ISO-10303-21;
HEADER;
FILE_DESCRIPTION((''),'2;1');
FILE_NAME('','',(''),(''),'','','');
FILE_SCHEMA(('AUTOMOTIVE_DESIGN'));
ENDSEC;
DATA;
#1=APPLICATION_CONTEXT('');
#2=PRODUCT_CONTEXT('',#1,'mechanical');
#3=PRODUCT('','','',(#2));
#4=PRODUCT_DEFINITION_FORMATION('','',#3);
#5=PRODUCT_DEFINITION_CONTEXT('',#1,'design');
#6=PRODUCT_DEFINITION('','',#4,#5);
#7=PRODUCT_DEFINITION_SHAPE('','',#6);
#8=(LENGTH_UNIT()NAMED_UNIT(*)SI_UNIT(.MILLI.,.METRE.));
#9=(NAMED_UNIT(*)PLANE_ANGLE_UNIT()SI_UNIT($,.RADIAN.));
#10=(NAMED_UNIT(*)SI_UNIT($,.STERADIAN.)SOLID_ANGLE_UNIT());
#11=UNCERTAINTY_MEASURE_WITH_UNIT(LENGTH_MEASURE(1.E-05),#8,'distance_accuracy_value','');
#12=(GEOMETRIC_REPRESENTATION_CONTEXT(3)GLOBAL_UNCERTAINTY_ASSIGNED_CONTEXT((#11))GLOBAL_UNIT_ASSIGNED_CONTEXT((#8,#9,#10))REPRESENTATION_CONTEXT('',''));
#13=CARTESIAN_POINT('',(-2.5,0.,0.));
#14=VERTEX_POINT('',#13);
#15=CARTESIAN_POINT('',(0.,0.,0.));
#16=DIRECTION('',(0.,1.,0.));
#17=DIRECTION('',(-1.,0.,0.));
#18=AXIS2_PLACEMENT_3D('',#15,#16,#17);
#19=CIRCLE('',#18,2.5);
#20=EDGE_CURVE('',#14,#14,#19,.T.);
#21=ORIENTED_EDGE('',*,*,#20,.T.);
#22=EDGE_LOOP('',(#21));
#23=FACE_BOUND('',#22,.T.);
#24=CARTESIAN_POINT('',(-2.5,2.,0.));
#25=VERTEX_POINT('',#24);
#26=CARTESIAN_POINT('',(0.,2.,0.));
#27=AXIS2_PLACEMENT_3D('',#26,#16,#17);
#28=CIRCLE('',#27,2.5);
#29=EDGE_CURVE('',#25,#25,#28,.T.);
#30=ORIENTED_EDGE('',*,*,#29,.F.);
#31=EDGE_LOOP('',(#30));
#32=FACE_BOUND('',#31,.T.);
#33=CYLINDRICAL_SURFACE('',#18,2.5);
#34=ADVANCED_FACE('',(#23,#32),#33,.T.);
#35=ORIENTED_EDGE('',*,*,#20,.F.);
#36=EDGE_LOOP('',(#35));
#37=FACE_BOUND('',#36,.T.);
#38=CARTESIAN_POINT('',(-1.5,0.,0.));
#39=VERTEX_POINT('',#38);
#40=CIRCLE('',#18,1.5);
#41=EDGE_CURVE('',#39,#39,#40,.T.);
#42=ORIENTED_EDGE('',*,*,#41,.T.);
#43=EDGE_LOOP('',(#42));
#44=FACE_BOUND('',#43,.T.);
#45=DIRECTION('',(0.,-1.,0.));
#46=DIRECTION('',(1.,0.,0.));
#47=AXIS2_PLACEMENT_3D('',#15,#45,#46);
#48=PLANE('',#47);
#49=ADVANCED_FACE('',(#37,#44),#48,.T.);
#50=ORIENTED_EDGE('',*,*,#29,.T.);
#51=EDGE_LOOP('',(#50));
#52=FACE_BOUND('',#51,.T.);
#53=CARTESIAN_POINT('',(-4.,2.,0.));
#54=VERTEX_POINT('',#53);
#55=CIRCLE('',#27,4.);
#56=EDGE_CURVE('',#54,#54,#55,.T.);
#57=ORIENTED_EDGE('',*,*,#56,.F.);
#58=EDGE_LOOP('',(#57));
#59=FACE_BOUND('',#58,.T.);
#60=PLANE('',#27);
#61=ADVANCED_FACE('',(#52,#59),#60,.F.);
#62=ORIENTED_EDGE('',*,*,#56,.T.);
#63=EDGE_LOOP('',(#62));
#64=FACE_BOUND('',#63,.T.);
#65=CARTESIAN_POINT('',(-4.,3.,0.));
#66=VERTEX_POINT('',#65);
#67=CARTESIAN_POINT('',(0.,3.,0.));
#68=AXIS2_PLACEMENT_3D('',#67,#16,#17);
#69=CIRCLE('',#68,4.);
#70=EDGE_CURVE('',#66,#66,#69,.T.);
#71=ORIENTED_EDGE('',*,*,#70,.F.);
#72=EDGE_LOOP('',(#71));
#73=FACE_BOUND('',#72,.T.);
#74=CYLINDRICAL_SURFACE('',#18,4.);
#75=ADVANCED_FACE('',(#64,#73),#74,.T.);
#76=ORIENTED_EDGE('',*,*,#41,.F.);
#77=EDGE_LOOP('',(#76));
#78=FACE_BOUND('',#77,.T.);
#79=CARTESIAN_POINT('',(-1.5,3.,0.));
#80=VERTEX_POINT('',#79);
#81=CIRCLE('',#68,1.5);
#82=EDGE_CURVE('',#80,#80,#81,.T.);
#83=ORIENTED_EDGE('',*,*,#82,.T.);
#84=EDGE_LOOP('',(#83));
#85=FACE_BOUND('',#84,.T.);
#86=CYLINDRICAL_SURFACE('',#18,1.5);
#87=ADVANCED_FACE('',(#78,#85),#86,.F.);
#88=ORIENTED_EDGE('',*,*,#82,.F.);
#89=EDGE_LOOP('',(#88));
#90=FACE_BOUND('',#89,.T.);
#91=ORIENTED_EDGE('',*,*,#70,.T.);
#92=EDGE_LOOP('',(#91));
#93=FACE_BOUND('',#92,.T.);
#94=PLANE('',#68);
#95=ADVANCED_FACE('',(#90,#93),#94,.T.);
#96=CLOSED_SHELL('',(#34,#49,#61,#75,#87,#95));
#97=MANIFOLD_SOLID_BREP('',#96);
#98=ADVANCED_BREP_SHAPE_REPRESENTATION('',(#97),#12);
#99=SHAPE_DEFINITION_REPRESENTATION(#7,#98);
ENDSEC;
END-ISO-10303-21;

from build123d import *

# Parameters (mm, degrees)
SKETCH1_W = 1
SKETCH1_H = 2


with BuildPart() as part:
    # Sketch1 → Revolve1 (revolve)
    with BuildSketch(Plane.XY):
        Polygon((-4, 2), (-2.5, 2), (-1.5, 2), (-1.5, 3), (-4, 3), align=None)
        with Locations((-2, 1)):
            Rectangle(SKETCH1_W, SKETCH1_H)
    revolve(axis=Axis((0, 0, 0), (0, -1, 0)))


solid = part.part
